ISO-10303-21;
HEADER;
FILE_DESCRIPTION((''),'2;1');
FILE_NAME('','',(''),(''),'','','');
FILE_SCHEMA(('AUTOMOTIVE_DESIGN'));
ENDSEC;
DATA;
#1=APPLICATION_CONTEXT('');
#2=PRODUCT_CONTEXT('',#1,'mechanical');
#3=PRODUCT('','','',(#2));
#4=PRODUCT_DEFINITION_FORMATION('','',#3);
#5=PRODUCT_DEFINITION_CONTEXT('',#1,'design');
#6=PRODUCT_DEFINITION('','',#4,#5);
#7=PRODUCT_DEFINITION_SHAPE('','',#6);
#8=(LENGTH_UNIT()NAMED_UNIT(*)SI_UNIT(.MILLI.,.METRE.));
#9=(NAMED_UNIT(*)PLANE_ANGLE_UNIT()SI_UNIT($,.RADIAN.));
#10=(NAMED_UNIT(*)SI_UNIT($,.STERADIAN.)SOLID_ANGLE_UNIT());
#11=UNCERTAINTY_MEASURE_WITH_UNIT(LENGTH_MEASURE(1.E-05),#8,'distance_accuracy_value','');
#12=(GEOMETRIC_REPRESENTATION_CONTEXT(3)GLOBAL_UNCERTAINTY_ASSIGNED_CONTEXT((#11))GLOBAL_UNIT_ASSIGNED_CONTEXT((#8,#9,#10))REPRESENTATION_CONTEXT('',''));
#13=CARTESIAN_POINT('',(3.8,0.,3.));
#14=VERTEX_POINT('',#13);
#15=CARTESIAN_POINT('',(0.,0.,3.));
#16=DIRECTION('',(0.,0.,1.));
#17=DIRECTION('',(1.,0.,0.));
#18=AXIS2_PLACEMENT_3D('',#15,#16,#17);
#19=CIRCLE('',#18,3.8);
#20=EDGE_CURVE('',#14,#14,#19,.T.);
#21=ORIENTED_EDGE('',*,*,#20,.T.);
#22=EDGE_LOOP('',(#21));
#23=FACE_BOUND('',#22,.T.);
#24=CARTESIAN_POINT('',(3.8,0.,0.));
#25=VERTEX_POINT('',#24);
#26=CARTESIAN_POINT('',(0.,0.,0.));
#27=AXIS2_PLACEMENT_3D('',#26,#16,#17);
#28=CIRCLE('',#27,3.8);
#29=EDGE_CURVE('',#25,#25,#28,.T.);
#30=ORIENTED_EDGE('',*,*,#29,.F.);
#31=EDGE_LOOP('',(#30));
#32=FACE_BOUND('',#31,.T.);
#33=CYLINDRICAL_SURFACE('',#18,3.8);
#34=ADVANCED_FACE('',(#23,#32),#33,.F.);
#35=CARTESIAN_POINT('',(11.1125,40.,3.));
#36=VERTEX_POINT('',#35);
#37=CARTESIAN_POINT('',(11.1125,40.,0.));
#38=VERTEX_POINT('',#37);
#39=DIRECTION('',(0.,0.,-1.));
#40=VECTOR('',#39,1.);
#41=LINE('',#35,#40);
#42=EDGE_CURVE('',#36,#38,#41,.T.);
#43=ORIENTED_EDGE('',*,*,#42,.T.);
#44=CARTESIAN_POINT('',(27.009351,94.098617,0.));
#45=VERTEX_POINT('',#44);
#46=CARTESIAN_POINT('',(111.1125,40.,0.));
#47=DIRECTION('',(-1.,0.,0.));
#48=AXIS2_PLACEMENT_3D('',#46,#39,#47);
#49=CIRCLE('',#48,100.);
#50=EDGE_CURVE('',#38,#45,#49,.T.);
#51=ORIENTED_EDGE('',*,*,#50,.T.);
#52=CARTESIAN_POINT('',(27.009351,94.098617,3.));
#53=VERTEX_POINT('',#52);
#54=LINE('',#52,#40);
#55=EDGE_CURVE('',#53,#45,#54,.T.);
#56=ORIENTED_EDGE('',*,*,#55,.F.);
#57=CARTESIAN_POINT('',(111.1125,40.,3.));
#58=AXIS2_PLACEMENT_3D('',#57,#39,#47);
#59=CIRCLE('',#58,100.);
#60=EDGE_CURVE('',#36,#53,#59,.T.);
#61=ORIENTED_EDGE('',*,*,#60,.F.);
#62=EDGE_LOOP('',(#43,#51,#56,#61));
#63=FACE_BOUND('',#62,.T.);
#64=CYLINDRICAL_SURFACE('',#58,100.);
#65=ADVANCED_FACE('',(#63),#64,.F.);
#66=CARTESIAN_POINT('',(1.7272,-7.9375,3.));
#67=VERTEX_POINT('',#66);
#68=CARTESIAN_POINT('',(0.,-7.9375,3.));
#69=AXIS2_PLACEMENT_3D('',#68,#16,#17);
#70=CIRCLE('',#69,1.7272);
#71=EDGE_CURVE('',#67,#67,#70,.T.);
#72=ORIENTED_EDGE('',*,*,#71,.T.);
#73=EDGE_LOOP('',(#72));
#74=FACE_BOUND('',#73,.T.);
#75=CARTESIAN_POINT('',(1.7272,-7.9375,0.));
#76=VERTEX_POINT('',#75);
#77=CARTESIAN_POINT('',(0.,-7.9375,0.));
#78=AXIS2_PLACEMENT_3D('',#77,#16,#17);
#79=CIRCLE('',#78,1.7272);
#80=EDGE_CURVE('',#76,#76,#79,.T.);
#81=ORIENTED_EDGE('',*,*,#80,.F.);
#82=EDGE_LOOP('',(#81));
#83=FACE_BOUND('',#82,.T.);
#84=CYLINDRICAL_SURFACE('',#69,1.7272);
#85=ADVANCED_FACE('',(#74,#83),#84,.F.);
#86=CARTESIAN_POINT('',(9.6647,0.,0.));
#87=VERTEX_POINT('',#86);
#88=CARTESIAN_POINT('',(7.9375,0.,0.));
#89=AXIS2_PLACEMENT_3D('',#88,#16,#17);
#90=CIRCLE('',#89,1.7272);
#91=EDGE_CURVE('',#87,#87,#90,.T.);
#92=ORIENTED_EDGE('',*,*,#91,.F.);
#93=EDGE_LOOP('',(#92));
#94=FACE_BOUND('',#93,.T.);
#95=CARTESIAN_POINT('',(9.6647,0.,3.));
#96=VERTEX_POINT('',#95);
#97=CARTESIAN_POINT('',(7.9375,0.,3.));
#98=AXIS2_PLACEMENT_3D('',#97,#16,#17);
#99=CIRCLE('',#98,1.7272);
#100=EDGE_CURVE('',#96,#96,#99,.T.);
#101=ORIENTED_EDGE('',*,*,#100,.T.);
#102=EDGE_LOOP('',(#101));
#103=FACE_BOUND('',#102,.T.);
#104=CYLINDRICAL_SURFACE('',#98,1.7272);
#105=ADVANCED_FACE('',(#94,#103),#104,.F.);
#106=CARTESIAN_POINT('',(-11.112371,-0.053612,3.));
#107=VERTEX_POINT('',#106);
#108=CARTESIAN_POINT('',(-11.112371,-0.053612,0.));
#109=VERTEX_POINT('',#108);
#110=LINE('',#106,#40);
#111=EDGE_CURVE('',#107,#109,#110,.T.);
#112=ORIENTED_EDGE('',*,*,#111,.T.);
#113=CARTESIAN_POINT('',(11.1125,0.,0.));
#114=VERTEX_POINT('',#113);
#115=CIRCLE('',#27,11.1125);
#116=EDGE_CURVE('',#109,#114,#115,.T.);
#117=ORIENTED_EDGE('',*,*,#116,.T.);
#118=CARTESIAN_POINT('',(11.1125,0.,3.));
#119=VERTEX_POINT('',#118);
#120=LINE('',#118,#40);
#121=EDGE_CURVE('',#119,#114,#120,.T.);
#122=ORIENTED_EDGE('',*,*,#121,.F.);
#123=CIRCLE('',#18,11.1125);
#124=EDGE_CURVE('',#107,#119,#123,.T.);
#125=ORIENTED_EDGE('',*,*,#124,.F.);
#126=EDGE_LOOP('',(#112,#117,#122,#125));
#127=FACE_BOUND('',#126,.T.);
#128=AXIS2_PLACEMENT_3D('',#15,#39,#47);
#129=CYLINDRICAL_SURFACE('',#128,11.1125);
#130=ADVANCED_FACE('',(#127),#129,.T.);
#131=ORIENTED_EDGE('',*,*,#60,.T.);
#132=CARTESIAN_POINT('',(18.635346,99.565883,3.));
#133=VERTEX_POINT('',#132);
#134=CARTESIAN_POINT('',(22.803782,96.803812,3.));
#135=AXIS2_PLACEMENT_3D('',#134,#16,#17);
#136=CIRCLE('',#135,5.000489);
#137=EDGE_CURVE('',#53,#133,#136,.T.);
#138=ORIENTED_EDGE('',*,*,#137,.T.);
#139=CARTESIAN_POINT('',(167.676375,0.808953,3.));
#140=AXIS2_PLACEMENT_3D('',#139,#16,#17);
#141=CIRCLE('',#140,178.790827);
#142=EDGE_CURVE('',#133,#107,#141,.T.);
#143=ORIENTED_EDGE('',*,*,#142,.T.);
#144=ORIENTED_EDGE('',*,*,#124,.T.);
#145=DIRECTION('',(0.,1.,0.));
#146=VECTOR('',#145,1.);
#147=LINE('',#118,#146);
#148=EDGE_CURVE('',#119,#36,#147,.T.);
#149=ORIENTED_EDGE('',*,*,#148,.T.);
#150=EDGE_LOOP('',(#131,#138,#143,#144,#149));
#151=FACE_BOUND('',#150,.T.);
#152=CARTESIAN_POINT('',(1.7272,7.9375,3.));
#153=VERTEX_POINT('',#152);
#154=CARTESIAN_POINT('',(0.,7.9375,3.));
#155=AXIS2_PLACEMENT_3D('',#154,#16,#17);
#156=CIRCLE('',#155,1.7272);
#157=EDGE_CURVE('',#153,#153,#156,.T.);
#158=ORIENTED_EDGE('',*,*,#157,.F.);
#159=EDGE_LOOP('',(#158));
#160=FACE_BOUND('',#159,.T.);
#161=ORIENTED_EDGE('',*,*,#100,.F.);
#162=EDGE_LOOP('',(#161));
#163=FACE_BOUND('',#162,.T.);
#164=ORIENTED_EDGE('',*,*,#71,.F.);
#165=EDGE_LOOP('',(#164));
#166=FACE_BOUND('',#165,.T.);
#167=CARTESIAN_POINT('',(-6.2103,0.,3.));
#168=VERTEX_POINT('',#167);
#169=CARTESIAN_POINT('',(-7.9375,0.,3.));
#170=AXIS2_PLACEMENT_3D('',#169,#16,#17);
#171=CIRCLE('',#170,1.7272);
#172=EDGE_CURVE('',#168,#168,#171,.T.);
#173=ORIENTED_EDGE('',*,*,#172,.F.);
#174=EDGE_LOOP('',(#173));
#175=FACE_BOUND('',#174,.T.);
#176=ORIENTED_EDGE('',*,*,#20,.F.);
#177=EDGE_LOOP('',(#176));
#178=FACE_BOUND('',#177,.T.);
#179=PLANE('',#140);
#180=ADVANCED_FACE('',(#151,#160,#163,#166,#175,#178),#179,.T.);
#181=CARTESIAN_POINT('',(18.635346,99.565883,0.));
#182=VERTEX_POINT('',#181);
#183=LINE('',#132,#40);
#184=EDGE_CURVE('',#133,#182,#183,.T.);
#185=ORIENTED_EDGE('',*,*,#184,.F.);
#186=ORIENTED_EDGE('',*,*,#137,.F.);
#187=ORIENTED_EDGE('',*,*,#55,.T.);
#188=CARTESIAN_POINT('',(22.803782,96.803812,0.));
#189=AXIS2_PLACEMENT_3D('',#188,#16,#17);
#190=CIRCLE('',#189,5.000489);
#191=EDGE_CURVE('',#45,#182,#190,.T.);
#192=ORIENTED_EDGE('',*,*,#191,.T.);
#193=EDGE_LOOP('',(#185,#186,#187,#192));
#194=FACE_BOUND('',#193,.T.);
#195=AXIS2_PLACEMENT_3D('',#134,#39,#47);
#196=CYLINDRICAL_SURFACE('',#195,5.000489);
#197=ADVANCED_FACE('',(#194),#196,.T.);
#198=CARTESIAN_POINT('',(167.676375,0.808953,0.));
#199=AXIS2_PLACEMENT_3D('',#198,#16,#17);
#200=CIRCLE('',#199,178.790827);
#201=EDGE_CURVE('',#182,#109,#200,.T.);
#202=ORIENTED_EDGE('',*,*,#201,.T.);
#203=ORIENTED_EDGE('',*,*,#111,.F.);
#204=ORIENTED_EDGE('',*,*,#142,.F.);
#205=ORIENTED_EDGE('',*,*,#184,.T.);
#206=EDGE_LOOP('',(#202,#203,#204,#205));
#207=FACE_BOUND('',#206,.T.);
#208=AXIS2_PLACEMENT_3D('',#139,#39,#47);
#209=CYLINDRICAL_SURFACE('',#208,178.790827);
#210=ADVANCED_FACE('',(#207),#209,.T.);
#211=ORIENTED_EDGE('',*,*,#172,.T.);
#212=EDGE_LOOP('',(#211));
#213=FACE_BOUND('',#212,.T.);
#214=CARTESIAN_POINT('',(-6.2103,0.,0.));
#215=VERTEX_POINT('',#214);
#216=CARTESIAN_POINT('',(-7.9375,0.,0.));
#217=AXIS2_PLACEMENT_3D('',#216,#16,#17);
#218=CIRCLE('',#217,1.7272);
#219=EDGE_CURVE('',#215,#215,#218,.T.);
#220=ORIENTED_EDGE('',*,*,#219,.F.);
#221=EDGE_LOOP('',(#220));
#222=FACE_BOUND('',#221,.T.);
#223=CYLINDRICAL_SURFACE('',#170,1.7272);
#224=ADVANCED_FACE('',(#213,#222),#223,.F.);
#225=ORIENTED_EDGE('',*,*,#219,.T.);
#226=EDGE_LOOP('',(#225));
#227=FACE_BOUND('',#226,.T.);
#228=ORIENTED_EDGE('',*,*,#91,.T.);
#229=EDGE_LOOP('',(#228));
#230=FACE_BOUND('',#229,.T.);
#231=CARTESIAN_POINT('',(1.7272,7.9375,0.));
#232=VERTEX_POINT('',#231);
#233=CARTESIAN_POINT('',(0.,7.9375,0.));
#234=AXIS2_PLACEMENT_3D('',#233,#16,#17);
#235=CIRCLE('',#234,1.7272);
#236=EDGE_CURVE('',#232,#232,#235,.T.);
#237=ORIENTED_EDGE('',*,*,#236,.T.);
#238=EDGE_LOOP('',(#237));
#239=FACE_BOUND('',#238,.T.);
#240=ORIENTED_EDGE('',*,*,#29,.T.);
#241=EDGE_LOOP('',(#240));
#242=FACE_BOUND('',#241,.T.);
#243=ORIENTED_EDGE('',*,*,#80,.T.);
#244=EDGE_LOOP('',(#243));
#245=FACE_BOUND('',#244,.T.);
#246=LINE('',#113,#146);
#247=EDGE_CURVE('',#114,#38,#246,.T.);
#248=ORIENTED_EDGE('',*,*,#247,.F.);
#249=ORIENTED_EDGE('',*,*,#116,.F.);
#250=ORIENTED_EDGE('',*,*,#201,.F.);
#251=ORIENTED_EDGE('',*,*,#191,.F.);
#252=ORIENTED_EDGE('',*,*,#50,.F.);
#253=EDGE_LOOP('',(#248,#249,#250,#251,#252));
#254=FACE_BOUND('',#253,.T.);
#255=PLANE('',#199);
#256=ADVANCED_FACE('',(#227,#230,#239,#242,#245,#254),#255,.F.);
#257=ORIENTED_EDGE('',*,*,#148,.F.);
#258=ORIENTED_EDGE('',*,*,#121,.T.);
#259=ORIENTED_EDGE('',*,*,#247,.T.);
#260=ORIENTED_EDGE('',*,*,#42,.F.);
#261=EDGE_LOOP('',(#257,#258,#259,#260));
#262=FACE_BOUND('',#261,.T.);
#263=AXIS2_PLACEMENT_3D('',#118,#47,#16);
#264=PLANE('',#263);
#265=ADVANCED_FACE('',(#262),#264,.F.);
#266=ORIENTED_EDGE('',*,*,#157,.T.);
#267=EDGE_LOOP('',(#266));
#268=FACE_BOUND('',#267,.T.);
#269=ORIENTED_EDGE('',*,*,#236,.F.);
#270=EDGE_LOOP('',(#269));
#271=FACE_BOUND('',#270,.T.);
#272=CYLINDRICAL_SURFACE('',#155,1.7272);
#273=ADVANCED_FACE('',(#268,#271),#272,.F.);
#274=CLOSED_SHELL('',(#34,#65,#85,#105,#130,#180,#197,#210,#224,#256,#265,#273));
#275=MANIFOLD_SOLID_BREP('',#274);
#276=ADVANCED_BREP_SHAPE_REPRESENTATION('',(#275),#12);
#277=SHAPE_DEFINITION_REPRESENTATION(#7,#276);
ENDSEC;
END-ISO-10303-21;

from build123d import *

# Parameters (mm, degrees)
BOSS_EXTRU_3_DEPTH   = 3
D_GAGEMENT_51_D      = 3.4544
D_GAGEMENT_M71_D     = 7.6
D_GAGEMENT_M71_DEPTH = 7.01
D_GAGEMENT_M71_TIP   = 2.283270352


with BuildPart() as part:
    # Esquisse1 → Boss.-Extru.3 (new body)
    with BuildSketch(Plane.XY):
        with BuildLine():
            Line((11.1125, 0), (11.1125, 40))
            ThreePointArc((11.1125, 40), (15.168988239, 68.192952149), (27.009351017, 94.098616722))
            ThreePointArc((27.009351017, 94.098616722), (25.537478416, 100.990911223), (18.635346271, 99.565883395))
            ThreePointArc((18.635346271, 99.565883395), (-3.639418742, 51.966145876), (-11.112370677, -0.053611501))
            ThreePointArc((-11.112370677, -0.053611501), (0.026805829, -11.112467669), (11.1125, 0))
        make_face()
    extrude(amount=BOSS_EXTRU_3_DEPTH)

    # Dégagement #51 (through all)
    with Locations(Plane.XY.offset(3)):
        with Locations((-7.9375, 0), (0, 7.9375), (7.9375, 0), (0, -7.9375)):
            Hole(D_GAGEMENT_51_D / 2)

    # Dégagement M71
    with Locations(Plane.XY.offset(3)):
        with Locations((0, 0)):
            Hole(D_GAGEMENT_M71_D / 2, depth=D_GAGEMENT_M71_DEPTH)
            with Locations((0, 0, -(D_GAGEMENT_M71_DEPTH + D_GAGEMENT_M71_TIP / 2))):  # 118° drill point
                Cone(0, D_GAGEMENT_M71_D / 2, D_GAGEMENT_M71_TIP, mode=Mode.SUBTRACT)


solid = part.part
